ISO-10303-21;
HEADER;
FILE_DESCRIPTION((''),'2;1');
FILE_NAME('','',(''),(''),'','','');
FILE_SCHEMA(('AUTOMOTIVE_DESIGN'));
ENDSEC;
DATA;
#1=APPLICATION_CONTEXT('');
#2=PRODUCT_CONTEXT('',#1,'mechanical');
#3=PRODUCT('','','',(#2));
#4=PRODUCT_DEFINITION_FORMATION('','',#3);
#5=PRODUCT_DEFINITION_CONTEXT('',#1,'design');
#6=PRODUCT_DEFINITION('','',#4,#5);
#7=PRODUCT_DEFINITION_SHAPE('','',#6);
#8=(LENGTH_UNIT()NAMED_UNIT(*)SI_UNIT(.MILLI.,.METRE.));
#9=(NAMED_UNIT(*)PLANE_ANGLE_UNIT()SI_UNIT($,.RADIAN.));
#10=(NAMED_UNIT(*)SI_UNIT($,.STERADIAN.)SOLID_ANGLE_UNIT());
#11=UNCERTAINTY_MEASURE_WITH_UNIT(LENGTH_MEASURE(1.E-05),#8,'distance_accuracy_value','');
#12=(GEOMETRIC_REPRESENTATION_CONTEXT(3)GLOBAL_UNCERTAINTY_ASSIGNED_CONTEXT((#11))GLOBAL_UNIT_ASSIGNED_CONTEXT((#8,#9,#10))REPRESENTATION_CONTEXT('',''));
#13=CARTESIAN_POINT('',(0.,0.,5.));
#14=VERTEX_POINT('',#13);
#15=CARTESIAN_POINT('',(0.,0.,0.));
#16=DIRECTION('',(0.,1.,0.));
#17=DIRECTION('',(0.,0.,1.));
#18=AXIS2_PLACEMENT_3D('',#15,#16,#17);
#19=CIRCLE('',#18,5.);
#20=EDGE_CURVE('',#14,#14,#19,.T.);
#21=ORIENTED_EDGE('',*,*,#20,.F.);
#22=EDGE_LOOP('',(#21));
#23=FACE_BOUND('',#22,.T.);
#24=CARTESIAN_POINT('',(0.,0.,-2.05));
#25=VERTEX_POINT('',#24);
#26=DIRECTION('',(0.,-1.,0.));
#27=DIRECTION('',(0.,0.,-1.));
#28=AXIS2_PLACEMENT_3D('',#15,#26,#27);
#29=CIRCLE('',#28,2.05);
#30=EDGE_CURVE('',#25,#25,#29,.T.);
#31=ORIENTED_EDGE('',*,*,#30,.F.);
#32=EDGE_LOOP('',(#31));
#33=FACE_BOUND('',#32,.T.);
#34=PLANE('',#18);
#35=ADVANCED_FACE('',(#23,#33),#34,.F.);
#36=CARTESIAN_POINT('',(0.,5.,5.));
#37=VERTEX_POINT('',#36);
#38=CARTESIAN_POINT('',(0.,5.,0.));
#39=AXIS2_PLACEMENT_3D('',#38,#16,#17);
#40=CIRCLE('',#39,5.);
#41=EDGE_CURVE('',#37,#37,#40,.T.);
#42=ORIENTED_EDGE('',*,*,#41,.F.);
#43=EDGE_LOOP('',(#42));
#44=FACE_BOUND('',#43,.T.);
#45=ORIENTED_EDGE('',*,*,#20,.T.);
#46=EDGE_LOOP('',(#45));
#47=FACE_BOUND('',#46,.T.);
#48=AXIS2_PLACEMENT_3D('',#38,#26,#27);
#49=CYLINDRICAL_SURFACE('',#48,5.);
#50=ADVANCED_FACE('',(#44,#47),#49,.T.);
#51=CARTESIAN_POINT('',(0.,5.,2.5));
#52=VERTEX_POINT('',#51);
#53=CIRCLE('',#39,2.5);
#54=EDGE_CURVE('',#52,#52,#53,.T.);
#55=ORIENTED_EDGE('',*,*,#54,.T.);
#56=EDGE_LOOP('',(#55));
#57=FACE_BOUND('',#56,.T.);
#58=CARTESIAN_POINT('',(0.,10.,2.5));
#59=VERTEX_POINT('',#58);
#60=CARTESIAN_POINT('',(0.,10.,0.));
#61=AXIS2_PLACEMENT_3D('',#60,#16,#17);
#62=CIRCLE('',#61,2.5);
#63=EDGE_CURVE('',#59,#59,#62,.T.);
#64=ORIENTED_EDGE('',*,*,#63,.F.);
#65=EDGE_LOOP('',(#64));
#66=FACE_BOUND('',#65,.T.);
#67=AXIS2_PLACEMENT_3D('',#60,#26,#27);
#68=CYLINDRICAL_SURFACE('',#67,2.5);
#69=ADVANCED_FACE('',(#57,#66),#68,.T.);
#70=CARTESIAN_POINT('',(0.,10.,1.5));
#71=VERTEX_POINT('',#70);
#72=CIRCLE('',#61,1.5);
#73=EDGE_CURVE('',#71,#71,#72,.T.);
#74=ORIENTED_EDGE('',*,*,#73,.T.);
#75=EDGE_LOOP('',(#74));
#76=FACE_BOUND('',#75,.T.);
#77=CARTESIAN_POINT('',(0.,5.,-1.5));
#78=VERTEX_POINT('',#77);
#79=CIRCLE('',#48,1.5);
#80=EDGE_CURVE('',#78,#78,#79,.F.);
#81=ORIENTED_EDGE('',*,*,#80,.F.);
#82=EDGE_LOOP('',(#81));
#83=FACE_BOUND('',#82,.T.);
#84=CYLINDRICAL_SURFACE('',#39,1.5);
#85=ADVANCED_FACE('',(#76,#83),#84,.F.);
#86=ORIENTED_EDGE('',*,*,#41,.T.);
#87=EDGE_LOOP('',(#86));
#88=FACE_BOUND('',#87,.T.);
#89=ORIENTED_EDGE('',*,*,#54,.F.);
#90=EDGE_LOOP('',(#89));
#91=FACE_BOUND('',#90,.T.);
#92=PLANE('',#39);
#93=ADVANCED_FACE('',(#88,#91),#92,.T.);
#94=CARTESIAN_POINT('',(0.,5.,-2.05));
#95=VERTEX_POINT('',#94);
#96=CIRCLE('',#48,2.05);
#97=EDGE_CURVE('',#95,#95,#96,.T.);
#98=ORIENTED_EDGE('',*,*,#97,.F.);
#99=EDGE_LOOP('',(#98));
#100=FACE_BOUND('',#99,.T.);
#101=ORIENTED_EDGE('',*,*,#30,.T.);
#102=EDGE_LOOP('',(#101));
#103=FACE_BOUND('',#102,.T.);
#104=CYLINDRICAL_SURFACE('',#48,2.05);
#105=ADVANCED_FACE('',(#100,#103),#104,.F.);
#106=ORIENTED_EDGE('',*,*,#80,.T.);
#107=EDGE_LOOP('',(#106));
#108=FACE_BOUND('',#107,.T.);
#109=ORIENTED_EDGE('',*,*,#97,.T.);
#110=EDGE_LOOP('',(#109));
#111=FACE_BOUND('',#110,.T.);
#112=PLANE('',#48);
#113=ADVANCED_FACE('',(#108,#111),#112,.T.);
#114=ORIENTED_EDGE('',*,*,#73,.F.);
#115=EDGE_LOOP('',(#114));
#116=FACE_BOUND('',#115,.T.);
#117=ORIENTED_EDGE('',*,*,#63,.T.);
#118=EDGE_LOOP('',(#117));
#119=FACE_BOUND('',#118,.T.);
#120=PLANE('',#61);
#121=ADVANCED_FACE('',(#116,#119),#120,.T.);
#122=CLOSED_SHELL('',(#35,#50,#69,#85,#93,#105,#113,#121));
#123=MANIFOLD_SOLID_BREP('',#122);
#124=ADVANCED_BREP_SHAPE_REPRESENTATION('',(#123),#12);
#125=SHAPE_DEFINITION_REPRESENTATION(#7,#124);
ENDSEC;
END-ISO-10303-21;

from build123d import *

# Parameters (mm, degrees)
ESQUISSE1_R             = 5
BOSS_EXTRU_1_DEPTH      = 5
ESQUISSE2_R             = 2.5
BOSS_EXTRU_2_DEPTH      = 5
ESQUISSE3_R             = 1.5
ENL_V_MAT_EXTRU_2_DEPTH = 5
ESQUISSE4_R             = 2.05
ENL_V_MAT_EXTRU_3_DEPTH = 5


with BuildPart() as part:
    # Esquisse1 → Boss.-Extru.1 (new body)
    with BuildSketch(Plane(origin=(0, 0, 0), x_dir=(1, 0, 0), z_dir=(0, 1, 0))):
        with Locations(Location((0, 0, 0), (0, 0, 270))):
            Circle(ESQUISSE1_R)
    extrude(amount=BOSS_EXTRU_1_DEPTH)

    # Esquisse2 → Boss.-Extru.2 (add)
    with BuildSketch(Plane(origin=(0, 5, 0), x_dir=(1, 0, 0), z_dir=(0, 1, 0))):
        with Locations(Location((0, 0, 0), (0, 0, 270))):
            Circle(ESQUISSE2_R)
    extrude(amount=BOSS_EXTRU_2_DEPTH)

    # Esquisse3 → Enlèv. mat.-Extru.2 (cut)
    with BuildSketch(Plane(origin=(0, 10, 0), x_dir=(1, 0, 0), z_dir=(0, 1, 0))):
        with Locations(Location((0, 0, 0), (0, 0, 270))):
            Circle(ESQUISSE3_R)
    extrude(amount=-ENL_V_MAT_EXTRU_2_DEPTH, mode=Mode.SUBTRACT)

    # Esquisse4 → Enlèv. mat.-Extru.3 (cut)
    with BuildSketch(Plane.XZ):
        with Locations(Location((0, 0, 0), (0, 0, 270))):
            Circle(ESQUISSE4_R)
    extrude(amount=-ENL_V_MAT_EXTRU_3_DEPTH, mode=Mode.SUBTRACT)


solid = part.part
